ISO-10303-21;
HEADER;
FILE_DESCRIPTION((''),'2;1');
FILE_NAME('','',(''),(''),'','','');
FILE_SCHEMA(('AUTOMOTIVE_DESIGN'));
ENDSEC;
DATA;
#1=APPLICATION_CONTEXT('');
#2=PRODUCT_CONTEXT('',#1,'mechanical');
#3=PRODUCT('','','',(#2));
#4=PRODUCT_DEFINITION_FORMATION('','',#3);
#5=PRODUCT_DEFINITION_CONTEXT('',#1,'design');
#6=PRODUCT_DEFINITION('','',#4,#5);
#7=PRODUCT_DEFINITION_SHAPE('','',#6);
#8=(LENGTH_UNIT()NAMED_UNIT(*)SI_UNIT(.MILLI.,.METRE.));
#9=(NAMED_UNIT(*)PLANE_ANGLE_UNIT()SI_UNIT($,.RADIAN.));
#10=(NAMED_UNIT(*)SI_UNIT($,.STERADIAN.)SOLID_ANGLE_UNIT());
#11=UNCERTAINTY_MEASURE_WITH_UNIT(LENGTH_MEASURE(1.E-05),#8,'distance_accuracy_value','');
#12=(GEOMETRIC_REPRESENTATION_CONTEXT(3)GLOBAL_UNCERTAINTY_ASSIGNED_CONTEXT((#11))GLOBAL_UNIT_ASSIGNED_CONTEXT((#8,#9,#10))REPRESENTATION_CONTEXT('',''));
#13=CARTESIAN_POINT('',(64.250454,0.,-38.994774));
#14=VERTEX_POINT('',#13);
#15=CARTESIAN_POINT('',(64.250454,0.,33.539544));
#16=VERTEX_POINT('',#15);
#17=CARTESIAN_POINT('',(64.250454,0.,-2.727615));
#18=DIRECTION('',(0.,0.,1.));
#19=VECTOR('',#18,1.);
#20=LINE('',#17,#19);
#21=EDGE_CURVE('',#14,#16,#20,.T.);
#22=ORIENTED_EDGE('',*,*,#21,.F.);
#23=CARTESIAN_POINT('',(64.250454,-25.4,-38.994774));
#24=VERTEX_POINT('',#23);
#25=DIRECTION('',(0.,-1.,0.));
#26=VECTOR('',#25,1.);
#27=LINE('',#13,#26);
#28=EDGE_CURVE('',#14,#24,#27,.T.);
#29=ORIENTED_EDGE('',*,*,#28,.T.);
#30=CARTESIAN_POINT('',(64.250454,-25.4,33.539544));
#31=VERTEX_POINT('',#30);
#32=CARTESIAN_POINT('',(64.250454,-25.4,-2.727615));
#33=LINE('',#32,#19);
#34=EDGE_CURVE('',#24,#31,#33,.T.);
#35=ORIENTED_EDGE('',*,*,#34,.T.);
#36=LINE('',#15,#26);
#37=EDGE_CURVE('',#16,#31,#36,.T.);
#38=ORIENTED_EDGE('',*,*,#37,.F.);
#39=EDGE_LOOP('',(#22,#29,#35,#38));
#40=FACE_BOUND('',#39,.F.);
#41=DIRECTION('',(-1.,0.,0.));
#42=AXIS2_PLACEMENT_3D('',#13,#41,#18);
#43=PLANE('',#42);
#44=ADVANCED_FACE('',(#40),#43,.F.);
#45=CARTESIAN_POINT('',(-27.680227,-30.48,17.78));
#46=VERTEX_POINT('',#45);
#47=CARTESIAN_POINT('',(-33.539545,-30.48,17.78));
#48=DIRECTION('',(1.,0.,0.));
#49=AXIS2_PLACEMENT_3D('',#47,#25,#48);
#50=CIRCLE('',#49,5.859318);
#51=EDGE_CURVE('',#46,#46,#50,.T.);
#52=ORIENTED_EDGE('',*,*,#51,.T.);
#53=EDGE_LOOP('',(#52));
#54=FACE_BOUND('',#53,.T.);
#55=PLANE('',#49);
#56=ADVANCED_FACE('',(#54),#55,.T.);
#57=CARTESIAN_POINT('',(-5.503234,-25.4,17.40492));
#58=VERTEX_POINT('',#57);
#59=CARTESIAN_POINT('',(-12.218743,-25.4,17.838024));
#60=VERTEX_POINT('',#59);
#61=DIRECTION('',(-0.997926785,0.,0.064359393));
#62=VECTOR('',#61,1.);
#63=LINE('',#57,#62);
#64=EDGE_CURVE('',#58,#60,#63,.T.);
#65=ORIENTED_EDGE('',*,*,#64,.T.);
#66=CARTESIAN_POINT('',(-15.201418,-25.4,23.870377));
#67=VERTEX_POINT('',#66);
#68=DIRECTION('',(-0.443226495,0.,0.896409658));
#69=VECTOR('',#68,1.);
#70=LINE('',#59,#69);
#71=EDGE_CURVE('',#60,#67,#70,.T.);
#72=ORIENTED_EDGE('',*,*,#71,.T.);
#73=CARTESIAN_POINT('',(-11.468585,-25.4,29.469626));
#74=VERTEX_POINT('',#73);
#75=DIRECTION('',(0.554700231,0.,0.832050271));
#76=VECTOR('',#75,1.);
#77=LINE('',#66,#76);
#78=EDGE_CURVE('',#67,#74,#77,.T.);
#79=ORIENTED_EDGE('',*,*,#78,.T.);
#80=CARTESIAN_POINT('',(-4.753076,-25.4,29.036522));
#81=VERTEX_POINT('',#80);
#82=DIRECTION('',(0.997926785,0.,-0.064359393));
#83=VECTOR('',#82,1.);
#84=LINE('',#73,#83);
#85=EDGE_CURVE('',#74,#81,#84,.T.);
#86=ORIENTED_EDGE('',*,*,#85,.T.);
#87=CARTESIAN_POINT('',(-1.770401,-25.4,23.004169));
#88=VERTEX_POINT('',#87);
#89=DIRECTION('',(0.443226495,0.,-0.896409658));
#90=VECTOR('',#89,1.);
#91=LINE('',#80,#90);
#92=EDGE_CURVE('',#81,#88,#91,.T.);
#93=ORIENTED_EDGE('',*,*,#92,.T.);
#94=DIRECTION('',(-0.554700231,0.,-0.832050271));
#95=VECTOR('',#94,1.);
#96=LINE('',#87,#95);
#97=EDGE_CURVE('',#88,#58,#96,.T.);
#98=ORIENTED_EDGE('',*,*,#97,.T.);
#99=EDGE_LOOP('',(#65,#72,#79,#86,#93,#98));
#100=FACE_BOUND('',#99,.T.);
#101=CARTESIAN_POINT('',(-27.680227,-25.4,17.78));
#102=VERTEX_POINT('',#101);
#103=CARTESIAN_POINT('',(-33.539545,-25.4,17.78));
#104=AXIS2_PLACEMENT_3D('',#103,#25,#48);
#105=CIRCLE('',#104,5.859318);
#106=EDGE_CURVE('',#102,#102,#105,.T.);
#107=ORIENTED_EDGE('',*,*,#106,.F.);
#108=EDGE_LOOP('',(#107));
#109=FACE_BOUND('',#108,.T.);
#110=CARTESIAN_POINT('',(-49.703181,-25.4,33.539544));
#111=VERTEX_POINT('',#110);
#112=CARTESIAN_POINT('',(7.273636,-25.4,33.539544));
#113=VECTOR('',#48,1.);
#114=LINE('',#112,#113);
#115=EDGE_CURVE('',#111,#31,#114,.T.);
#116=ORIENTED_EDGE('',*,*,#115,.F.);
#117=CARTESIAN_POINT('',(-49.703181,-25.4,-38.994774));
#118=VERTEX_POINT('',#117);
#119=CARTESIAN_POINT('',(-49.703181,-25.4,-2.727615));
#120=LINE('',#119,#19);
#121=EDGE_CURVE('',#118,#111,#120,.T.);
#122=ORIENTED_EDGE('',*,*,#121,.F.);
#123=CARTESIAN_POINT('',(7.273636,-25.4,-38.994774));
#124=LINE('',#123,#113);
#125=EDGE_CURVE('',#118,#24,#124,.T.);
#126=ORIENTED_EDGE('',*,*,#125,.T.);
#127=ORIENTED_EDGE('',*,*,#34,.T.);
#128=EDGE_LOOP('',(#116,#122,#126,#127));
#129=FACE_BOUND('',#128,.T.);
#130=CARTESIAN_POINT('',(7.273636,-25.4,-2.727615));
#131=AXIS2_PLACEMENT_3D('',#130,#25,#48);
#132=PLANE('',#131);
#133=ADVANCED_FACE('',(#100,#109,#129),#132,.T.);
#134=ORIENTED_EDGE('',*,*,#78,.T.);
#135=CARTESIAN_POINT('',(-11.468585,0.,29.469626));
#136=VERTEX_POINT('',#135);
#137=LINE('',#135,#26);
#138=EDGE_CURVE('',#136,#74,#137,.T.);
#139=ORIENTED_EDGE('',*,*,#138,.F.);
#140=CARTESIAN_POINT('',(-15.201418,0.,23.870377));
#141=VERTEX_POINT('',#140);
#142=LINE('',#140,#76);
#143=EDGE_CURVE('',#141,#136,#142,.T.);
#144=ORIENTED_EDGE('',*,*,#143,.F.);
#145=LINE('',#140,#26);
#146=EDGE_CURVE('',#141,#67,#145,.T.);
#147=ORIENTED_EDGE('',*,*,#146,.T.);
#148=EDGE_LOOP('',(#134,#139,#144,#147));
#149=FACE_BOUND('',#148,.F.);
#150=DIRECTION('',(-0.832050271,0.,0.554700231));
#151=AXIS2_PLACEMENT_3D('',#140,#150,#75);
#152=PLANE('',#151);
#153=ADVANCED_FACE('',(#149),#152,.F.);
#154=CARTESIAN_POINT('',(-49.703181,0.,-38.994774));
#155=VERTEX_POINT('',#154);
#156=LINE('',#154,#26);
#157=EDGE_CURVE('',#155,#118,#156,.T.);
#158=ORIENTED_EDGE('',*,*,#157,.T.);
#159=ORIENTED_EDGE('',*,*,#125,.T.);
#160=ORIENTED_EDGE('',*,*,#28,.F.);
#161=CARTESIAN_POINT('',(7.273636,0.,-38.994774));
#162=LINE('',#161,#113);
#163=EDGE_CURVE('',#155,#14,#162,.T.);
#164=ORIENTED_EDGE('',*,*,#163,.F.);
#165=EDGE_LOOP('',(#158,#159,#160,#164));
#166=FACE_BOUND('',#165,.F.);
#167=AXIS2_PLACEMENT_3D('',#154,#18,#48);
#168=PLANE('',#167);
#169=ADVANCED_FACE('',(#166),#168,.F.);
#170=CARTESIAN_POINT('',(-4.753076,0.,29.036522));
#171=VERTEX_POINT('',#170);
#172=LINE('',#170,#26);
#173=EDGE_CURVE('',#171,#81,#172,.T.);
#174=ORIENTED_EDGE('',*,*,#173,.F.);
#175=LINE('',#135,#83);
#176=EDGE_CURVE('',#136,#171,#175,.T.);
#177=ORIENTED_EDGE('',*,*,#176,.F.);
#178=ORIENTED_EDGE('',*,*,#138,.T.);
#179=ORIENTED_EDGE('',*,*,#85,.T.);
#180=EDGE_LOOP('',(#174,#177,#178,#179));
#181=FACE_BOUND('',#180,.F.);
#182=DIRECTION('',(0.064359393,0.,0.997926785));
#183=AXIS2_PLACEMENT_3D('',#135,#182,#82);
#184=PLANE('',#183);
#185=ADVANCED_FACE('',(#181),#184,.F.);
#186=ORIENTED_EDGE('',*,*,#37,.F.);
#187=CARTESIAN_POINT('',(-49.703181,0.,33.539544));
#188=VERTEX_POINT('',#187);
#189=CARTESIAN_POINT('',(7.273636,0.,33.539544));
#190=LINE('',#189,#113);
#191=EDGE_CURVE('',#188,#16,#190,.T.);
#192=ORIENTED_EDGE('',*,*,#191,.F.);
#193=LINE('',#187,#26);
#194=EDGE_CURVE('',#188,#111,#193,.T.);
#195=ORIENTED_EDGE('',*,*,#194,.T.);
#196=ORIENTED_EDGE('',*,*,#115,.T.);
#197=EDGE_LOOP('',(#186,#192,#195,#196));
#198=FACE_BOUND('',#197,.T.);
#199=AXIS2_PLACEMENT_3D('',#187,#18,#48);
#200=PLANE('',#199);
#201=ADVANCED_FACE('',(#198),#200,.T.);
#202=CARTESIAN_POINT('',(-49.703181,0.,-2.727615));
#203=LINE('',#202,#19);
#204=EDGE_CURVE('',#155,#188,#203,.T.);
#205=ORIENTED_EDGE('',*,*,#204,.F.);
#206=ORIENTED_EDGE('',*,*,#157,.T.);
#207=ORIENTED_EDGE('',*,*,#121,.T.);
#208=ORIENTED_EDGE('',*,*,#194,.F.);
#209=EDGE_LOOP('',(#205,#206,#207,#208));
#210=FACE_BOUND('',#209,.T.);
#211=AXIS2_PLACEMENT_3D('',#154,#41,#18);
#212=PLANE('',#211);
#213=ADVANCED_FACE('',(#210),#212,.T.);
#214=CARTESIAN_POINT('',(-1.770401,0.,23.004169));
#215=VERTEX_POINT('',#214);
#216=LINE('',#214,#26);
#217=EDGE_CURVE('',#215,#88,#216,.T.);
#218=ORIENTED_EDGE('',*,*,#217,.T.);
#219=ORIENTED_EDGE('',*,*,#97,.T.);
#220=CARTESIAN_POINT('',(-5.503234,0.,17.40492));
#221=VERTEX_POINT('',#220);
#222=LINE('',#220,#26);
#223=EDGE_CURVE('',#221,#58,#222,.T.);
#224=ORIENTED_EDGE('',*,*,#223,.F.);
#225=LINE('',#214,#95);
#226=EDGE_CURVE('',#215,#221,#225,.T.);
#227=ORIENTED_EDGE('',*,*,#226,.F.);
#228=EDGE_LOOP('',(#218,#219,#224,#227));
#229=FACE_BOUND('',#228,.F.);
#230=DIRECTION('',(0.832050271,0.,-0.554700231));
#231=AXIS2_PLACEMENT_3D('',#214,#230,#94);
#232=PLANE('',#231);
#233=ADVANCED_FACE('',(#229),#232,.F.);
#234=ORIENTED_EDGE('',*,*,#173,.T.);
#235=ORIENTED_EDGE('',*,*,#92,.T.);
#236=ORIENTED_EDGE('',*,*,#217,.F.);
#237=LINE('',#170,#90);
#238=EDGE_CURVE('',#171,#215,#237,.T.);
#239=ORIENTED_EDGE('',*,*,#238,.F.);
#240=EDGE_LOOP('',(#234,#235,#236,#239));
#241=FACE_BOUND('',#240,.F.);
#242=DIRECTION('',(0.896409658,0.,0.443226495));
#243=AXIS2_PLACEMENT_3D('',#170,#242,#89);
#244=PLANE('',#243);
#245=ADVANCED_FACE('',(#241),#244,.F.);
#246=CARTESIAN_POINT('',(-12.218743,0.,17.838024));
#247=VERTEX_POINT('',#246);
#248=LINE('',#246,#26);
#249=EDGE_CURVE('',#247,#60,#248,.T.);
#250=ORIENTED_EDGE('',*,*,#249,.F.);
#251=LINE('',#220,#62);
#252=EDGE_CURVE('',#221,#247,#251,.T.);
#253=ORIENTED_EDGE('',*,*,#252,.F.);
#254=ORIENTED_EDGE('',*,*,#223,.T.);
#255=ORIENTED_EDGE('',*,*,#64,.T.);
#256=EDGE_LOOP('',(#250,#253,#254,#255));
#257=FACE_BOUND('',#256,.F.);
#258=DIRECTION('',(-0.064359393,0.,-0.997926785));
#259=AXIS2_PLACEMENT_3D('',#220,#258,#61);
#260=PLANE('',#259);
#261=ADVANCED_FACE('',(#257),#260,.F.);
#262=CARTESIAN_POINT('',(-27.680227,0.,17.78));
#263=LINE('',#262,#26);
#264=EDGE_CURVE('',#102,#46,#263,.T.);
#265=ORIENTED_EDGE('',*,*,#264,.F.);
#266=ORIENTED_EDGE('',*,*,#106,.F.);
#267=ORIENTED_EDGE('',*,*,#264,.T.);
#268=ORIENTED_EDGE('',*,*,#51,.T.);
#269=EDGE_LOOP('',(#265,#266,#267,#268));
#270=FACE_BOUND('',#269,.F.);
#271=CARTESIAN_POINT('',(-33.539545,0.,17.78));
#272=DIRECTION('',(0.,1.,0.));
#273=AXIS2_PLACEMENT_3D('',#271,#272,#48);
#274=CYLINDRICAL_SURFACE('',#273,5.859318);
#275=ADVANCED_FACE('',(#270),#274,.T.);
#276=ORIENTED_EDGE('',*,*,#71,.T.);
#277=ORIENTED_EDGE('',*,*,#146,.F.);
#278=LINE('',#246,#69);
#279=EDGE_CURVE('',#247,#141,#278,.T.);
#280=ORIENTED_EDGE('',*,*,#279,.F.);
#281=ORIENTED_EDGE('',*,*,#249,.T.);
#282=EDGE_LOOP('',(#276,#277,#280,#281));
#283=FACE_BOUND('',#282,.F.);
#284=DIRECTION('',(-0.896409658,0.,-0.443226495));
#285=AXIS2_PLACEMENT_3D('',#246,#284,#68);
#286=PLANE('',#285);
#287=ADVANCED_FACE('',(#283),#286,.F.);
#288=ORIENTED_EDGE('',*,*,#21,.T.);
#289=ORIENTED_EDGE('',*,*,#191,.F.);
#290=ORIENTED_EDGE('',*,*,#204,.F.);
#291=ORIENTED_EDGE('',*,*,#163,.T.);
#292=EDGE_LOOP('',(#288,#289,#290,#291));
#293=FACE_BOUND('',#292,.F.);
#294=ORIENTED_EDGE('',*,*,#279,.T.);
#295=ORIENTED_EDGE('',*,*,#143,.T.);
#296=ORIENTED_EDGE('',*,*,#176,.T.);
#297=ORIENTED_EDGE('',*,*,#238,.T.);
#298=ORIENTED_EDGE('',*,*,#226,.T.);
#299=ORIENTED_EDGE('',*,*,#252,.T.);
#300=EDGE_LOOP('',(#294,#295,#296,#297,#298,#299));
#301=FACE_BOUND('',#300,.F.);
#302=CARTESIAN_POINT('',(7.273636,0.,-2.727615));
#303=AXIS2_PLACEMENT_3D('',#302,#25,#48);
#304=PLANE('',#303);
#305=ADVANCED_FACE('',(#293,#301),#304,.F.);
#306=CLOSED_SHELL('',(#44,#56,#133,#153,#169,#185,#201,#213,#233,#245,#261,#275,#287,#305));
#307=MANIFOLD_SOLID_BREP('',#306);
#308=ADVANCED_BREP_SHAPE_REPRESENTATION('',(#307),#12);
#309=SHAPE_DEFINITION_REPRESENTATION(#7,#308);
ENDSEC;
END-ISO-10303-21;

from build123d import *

# Parameters (mm, degrees)
F0_W     = 113.953635
F0_H     = 72.534319
F0_R     = 5.859318
F1_DEPTH = 25.4
F2_DEPTH = 30.48


with BuildPart() as f1:
    # F0 (on Front) → F1 (new body)
    with BuildSketch(Plane.XZ):
        with Locations((7.273636, -2.727615)):
            Rectangle(F0_W, F0_H)
        with Locations((-33.539545, 17.78)):
            Circle(F0_R, mode=Mode.SUBTRACT)
        Polygon((-4.753076, 29.036522), (-1.770401, 23.004169), (-5.503234, 17.40492), (-12.218743, 17.838024), (-15.201418, 23.870377), (-11.468585, 29.469626), align=None, mode=Mode.SUBTRACT)
    extrude(amount=F1_DEPTH)

    # F0 (on Front) → F2 (join)
    with BuildSketch(Plane.XZ):
        with Locations((-33.539545, 17.78)):
            Circle(F0_R)
    extrude(amount=F2_DEPTH)


solid = f1.part
